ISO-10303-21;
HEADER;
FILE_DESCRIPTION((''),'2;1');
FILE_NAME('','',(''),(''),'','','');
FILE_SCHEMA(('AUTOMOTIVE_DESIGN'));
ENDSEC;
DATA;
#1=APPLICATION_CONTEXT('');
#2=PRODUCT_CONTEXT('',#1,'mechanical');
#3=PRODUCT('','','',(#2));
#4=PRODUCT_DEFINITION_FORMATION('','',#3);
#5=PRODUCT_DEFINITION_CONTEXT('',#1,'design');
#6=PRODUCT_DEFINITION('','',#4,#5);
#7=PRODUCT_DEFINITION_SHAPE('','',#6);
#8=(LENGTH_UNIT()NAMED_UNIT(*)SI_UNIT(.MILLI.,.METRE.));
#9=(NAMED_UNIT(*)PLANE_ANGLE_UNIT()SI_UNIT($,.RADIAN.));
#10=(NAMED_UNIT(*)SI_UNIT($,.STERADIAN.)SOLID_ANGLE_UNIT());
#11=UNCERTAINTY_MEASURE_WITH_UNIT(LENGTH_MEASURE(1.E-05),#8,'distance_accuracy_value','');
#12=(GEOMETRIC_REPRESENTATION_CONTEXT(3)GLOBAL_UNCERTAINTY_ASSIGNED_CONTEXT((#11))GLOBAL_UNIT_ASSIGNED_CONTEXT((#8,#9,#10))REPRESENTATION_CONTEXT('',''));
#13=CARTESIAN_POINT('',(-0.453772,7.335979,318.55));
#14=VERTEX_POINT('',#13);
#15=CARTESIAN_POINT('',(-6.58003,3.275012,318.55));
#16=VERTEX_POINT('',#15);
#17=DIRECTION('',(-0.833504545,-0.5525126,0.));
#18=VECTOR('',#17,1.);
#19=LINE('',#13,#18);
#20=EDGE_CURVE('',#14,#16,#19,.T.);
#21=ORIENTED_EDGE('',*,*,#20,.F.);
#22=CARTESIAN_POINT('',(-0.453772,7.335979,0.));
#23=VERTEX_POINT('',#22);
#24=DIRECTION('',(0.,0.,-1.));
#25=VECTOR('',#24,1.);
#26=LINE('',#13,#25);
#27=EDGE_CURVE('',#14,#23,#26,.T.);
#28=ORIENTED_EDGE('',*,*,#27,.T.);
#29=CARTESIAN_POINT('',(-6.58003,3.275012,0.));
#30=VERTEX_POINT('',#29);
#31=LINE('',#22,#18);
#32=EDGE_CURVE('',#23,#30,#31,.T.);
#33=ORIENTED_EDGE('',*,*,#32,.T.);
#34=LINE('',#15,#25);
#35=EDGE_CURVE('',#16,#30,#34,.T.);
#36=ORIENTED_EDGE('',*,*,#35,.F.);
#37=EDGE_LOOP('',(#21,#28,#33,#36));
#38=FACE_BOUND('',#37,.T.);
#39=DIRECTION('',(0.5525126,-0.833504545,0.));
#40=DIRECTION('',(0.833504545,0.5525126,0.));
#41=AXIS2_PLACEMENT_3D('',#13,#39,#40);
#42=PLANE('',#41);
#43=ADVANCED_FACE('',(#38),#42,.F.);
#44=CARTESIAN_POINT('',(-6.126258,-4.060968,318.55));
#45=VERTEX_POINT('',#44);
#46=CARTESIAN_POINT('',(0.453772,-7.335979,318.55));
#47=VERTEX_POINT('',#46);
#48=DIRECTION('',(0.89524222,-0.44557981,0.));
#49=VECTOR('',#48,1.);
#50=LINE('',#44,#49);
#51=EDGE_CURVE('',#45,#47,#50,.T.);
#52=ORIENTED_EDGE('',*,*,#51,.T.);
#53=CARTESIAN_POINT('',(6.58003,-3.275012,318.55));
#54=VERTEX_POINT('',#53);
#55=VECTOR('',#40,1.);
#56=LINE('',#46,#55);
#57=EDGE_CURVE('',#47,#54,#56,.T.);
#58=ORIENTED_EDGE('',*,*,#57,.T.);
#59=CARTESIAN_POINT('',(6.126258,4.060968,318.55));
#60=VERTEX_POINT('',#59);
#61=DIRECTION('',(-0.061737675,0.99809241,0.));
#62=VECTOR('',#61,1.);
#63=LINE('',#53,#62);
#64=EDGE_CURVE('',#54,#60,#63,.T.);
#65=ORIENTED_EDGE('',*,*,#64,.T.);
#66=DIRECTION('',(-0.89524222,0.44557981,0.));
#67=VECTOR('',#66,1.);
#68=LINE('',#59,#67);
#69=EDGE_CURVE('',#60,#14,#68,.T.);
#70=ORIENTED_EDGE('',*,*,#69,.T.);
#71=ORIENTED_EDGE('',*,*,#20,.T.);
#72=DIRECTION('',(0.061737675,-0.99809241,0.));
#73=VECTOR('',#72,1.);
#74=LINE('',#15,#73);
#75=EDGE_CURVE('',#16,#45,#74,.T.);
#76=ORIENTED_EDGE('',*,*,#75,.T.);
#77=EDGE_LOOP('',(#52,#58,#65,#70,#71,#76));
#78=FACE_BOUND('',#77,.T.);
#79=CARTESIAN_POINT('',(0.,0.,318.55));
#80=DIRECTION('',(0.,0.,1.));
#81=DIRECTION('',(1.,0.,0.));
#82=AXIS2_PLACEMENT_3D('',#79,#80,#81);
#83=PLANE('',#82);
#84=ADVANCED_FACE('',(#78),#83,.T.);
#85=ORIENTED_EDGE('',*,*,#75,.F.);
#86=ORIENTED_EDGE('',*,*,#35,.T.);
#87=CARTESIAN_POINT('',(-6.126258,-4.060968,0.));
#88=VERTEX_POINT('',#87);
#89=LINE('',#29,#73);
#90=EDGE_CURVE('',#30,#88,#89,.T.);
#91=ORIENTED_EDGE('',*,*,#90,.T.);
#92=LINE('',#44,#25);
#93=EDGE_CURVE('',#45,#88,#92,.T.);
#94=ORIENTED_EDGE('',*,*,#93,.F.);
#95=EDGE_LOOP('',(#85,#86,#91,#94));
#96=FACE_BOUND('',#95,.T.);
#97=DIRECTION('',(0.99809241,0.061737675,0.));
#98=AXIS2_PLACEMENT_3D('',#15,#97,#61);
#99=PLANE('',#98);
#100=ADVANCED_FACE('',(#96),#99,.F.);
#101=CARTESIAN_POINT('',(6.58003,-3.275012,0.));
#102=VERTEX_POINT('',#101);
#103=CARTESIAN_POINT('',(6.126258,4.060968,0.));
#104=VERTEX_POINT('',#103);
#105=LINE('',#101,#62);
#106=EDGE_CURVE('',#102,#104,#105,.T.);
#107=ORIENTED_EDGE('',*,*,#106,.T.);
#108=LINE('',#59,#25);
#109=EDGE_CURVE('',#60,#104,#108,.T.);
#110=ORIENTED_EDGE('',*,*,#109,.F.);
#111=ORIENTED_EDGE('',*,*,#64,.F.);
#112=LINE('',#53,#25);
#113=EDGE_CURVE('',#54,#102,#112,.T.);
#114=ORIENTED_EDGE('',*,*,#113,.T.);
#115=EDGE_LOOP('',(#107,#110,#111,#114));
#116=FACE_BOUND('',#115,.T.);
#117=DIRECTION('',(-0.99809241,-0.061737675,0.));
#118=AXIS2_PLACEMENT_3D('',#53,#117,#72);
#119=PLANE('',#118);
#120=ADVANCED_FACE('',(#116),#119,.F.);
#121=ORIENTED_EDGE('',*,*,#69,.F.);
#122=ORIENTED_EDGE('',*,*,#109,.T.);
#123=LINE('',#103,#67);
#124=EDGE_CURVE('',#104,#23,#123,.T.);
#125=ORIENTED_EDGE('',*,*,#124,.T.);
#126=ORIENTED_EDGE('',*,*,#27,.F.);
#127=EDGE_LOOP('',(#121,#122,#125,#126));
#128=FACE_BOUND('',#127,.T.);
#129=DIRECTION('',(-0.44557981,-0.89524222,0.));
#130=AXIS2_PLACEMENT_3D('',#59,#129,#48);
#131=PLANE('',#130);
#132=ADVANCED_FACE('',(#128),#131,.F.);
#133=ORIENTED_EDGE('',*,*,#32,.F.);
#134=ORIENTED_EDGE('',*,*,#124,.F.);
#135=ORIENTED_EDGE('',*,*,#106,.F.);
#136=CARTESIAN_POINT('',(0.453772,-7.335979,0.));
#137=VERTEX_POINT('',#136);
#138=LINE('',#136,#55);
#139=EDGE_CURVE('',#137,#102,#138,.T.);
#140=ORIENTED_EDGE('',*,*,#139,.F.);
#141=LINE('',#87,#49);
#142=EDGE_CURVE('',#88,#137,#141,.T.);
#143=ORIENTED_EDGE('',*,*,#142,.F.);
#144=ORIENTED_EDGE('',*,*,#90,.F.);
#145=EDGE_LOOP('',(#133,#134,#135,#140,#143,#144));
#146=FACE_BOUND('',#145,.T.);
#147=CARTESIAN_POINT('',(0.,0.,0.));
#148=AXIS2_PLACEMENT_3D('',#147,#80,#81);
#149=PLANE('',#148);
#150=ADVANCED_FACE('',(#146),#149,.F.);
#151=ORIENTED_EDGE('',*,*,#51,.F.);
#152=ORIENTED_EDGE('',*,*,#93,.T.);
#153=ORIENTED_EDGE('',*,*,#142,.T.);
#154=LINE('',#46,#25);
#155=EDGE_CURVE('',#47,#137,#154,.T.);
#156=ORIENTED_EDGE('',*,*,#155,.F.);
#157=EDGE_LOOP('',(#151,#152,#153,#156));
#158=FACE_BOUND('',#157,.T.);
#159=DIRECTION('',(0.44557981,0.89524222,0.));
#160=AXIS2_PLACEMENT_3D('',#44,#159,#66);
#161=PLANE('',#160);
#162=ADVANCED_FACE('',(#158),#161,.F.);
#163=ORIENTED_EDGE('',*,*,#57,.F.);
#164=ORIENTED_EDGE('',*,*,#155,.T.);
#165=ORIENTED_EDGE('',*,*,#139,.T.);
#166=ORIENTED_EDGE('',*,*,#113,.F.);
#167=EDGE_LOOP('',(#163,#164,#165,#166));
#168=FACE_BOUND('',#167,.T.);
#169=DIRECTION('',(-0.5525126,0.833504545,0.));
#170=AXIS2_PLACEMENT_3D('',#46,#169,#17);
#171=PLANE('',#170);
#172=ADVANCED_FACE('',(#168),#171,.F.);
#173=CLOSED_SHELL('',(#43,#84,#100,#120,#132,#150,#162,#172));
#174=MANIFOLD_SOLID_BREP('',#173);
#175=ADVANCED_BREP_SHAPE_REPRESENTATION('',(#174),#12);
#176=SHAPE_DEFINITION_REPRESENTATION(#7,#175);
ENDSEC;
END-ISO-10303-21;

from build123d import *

# Parameters (mm, degrees)
BOSS_EXTRUDE1_DEPTH = 318.55


with BuildPart() as part:
    # Sketch1 → Boss-Extrude1 (new body)
    with BuildSketch(Plane.XY):
        Polygon((-0.45377191, 7.335979216), (-6.580030318, 3.275011606), (-6.126258407, -4.06096761), (0.45377191, -7.335979216), (6.580030318, -3.275011606), (6.126258407, 4.06096761), align=None)
    extrude(amount=BOSS_EXTRUDE1_DEPTH)


solid = part.part
